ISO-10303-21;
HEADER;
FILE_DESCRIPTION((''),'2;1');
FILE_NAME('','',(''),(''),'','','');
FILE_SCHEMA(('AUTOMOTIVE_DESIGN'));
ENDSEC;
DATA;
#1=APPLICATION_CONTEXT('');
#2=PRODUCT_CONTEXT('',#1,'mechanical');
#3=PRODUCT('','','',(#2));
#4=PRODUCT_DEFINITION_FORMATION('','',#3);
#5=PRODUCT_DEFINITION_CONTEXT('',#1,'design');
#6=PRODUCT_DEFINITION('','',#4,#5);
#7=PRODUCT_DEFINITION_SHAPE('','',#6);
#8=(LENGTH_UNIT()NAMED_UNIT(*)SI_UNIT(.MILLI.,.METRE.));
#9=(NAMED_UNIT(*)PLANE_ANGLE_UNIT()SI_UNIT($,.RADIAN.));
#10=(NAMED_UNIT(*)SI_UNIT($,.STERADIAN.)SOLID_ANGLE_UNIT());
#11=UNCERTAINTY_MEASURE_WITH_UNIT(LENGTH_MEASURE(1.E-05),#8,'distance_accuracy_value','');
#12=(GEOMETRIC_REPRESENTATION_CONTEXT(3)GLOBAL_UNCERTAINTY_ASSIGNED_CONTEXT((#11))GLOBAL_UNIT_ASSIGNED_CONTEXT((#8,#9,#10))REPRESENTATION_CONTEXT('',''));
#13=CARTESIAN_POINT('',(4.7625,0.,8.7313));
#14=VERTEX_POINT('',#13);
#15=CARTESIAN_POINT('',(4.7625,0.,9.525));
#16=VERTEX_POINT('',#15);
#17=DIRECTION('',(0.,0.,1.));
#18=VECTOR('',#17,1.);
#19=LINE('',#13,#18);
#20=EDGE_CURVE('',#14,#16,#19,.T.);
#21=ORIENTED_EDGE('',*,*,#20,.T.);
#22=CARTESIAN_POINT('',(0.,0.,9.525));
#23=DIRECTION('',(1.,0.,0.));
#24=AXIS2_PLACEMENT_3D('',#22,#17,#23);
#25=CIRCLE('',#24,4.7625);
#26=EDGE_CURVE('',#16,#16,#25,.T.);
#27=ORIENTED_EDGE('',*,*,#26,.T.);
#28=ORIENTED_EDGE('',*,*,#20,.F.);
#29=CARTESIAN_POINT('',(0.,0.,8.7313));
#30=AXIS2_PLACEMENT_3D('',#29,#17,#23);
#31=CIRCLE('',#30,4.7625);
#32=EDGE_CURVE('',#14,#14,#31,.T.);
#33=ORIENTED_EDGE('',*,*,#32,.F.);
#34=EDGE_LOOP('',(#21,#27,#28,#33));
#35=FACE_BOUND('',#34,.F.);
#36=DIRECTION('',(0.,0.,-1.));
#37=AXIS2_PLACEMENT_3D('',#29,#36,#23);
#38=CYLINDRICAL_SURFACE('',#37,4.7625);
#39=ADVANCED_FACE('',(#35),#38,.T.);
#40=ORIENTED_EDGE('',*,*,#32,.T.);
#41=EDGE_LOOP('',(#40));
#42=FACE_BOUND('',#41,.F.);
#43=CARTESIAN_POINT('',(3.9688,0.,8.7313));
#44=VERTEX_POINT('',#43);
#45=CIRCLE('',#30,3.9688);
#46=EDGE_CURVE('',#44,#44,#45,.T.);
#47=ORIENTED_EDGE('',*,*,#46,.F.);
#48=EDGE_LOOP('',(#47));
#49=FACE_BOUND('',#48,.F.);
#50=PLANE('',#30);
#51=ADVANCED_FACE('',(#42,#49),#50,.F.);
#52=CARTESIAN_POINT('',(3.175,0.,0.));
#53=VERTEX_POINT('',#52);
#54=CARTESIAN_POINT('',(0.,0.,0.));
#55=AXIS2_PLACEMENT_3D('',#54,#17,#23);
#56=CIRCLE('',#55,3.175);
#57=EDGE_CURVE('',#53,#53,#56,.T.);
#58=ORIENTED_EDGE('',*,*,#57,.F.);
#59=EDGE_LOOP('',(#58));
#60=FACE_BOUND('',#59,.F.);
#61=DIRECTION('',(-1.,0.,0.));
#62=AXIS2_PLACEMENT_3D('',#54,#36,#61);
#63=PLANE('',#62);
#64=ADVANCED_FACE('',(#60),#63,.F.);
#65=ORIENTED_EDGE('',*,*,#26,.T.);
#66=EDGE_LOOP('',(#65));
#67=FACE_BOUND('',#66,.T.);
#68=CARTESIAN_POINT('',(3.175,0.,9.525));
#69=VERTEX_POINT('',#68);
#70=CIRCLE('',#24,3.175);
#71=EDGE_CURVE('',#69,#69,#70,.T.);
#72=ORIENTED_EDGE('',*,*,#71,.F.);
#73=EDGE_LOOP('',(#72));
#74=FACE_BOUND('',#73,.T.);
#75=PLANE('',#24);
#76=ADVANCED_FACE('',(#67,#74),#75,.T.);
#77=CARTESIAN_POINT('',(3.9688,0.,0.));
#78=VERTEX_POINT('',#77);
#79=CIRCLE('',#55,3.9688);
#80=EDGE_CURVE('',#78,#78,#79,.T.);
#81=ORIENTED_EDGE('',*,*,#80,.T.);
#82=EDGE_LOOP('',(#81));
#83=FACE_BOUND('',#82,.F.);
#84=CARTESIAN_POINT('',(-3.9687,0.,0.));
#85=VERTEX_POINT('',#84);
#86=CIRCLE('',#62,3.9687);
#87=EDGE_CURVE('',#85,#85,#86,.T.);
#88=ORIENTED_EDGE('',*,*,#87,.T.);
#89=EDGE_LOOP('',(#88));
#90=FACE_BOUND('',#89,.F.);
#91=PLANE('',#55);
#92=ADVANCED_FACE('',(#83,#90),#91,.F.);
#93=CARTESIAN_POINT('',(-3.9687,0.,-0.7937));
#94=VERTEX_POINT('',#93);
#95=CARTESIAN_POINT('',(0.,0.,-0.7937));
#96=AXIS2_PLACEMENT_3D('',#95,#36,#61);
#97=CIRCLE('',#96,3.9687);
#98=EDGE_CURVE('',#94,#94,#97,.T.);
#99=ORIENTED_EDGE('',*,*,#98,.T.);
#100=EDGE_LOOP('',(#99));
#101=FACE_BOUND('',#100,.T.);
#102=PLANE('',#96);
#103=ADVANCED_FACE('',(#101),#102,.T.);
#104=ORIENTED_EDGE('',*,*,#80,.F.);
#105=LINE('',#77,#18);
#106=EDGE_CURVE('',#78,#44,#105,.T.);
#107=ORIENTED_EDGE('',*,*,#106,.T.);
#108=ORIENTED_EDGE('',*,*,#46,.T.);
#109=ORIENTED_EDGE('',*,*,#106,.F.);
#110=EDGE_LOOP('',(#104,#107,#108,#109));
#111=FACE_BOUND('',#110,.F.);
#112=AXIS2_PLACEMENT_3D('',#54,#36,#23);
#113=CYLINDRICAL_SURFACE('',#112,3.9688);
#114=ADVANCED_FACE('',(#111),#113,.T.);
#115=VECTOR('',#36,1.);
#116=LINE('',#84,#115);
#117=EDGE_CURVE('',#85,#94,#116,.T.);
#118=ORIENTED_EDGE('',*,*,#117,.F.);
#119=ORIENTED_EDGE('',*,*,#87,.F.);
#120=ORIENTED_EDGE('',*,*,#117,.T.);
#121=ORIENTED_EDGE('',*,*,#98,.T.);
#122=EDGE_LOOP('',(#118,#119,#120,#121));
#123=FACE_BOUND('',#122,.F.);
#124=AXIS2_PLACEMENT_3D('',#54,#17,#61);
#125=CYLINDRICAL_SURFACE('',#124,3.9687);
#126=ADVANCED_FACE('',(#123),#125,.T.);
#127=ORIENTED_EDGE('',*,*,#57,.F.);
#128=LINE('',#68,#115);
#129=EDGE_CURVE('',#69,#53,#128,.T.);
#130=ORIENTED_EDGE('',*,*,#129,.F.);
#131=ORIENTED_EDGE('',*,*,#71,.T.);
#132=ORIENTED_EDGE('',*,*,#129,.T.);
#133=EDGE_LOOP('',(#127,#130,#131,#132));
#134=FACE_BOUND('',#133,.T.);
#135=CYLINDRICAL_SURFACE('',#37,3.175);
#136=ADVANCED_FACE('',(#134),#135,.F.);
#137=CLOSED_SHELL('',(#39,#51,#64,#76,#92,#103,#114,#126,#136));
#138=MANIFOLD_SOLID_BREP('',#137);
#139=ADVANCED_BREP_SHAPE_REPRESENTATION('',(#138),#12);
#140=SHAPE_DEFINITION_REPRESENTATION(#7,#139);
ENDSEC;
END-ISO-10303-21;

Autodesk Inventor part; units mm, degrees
ref_plane "YZ Plane" through (0, 0, 0) normal (1, 0, 0) x (0, 1, 0)
ref_plane "XZ Plane" through (0, 0, 0) normal (0, 1, 0) x (-1, 0, 0)
ref_plane "XY Plane" through (0, 0, 0) normal (0, 0, 1) x (1, 0, 0)
sketch "Sketch1" plane through (0, 0, 0) normal (0, 0, 1) x (1, 0, 0)
  circle A0 centre (0, 0) radius 3.175
  circle A1 centre (0, 0) radius 3.9688
  dimension "d0" = 7.9375
  dimension "d2" = 6.35
extrude "Extrusion1" add sketch "Sketch1" along normal blind 8.7313
sketch "Sketch2" plane through (0, 0, 0) normal (0, 0, -1) x (-1, 0, 0)
  circle A0 centre (0, 0) radius 3.9687 projected
extrude "Extrusion2" add sketch "Sketch2" along normal blind 0.7937
sketch "Sketch3" plane through (0, 0, 8.7313) normal (0, 0, 1) x (1, 0, 0)
  circle A0 centre (0, 0) radius 3.175 projected
  circle A1 centre (0, 0) radius 3.9687 projected
  circle A2 centre (0, 0) radius 4.7625
  dimension "d7" = 9.525
extrude "Extrusion3" add sketch "Sketch3" along normal blind 0.7937 contours A1 | A2
thread "Thread1" size "1/4-20 UNC" class "2B" standard "ANSI Unified Screw Threads" full length
properties part number "threaded_insert_1-4-20"
